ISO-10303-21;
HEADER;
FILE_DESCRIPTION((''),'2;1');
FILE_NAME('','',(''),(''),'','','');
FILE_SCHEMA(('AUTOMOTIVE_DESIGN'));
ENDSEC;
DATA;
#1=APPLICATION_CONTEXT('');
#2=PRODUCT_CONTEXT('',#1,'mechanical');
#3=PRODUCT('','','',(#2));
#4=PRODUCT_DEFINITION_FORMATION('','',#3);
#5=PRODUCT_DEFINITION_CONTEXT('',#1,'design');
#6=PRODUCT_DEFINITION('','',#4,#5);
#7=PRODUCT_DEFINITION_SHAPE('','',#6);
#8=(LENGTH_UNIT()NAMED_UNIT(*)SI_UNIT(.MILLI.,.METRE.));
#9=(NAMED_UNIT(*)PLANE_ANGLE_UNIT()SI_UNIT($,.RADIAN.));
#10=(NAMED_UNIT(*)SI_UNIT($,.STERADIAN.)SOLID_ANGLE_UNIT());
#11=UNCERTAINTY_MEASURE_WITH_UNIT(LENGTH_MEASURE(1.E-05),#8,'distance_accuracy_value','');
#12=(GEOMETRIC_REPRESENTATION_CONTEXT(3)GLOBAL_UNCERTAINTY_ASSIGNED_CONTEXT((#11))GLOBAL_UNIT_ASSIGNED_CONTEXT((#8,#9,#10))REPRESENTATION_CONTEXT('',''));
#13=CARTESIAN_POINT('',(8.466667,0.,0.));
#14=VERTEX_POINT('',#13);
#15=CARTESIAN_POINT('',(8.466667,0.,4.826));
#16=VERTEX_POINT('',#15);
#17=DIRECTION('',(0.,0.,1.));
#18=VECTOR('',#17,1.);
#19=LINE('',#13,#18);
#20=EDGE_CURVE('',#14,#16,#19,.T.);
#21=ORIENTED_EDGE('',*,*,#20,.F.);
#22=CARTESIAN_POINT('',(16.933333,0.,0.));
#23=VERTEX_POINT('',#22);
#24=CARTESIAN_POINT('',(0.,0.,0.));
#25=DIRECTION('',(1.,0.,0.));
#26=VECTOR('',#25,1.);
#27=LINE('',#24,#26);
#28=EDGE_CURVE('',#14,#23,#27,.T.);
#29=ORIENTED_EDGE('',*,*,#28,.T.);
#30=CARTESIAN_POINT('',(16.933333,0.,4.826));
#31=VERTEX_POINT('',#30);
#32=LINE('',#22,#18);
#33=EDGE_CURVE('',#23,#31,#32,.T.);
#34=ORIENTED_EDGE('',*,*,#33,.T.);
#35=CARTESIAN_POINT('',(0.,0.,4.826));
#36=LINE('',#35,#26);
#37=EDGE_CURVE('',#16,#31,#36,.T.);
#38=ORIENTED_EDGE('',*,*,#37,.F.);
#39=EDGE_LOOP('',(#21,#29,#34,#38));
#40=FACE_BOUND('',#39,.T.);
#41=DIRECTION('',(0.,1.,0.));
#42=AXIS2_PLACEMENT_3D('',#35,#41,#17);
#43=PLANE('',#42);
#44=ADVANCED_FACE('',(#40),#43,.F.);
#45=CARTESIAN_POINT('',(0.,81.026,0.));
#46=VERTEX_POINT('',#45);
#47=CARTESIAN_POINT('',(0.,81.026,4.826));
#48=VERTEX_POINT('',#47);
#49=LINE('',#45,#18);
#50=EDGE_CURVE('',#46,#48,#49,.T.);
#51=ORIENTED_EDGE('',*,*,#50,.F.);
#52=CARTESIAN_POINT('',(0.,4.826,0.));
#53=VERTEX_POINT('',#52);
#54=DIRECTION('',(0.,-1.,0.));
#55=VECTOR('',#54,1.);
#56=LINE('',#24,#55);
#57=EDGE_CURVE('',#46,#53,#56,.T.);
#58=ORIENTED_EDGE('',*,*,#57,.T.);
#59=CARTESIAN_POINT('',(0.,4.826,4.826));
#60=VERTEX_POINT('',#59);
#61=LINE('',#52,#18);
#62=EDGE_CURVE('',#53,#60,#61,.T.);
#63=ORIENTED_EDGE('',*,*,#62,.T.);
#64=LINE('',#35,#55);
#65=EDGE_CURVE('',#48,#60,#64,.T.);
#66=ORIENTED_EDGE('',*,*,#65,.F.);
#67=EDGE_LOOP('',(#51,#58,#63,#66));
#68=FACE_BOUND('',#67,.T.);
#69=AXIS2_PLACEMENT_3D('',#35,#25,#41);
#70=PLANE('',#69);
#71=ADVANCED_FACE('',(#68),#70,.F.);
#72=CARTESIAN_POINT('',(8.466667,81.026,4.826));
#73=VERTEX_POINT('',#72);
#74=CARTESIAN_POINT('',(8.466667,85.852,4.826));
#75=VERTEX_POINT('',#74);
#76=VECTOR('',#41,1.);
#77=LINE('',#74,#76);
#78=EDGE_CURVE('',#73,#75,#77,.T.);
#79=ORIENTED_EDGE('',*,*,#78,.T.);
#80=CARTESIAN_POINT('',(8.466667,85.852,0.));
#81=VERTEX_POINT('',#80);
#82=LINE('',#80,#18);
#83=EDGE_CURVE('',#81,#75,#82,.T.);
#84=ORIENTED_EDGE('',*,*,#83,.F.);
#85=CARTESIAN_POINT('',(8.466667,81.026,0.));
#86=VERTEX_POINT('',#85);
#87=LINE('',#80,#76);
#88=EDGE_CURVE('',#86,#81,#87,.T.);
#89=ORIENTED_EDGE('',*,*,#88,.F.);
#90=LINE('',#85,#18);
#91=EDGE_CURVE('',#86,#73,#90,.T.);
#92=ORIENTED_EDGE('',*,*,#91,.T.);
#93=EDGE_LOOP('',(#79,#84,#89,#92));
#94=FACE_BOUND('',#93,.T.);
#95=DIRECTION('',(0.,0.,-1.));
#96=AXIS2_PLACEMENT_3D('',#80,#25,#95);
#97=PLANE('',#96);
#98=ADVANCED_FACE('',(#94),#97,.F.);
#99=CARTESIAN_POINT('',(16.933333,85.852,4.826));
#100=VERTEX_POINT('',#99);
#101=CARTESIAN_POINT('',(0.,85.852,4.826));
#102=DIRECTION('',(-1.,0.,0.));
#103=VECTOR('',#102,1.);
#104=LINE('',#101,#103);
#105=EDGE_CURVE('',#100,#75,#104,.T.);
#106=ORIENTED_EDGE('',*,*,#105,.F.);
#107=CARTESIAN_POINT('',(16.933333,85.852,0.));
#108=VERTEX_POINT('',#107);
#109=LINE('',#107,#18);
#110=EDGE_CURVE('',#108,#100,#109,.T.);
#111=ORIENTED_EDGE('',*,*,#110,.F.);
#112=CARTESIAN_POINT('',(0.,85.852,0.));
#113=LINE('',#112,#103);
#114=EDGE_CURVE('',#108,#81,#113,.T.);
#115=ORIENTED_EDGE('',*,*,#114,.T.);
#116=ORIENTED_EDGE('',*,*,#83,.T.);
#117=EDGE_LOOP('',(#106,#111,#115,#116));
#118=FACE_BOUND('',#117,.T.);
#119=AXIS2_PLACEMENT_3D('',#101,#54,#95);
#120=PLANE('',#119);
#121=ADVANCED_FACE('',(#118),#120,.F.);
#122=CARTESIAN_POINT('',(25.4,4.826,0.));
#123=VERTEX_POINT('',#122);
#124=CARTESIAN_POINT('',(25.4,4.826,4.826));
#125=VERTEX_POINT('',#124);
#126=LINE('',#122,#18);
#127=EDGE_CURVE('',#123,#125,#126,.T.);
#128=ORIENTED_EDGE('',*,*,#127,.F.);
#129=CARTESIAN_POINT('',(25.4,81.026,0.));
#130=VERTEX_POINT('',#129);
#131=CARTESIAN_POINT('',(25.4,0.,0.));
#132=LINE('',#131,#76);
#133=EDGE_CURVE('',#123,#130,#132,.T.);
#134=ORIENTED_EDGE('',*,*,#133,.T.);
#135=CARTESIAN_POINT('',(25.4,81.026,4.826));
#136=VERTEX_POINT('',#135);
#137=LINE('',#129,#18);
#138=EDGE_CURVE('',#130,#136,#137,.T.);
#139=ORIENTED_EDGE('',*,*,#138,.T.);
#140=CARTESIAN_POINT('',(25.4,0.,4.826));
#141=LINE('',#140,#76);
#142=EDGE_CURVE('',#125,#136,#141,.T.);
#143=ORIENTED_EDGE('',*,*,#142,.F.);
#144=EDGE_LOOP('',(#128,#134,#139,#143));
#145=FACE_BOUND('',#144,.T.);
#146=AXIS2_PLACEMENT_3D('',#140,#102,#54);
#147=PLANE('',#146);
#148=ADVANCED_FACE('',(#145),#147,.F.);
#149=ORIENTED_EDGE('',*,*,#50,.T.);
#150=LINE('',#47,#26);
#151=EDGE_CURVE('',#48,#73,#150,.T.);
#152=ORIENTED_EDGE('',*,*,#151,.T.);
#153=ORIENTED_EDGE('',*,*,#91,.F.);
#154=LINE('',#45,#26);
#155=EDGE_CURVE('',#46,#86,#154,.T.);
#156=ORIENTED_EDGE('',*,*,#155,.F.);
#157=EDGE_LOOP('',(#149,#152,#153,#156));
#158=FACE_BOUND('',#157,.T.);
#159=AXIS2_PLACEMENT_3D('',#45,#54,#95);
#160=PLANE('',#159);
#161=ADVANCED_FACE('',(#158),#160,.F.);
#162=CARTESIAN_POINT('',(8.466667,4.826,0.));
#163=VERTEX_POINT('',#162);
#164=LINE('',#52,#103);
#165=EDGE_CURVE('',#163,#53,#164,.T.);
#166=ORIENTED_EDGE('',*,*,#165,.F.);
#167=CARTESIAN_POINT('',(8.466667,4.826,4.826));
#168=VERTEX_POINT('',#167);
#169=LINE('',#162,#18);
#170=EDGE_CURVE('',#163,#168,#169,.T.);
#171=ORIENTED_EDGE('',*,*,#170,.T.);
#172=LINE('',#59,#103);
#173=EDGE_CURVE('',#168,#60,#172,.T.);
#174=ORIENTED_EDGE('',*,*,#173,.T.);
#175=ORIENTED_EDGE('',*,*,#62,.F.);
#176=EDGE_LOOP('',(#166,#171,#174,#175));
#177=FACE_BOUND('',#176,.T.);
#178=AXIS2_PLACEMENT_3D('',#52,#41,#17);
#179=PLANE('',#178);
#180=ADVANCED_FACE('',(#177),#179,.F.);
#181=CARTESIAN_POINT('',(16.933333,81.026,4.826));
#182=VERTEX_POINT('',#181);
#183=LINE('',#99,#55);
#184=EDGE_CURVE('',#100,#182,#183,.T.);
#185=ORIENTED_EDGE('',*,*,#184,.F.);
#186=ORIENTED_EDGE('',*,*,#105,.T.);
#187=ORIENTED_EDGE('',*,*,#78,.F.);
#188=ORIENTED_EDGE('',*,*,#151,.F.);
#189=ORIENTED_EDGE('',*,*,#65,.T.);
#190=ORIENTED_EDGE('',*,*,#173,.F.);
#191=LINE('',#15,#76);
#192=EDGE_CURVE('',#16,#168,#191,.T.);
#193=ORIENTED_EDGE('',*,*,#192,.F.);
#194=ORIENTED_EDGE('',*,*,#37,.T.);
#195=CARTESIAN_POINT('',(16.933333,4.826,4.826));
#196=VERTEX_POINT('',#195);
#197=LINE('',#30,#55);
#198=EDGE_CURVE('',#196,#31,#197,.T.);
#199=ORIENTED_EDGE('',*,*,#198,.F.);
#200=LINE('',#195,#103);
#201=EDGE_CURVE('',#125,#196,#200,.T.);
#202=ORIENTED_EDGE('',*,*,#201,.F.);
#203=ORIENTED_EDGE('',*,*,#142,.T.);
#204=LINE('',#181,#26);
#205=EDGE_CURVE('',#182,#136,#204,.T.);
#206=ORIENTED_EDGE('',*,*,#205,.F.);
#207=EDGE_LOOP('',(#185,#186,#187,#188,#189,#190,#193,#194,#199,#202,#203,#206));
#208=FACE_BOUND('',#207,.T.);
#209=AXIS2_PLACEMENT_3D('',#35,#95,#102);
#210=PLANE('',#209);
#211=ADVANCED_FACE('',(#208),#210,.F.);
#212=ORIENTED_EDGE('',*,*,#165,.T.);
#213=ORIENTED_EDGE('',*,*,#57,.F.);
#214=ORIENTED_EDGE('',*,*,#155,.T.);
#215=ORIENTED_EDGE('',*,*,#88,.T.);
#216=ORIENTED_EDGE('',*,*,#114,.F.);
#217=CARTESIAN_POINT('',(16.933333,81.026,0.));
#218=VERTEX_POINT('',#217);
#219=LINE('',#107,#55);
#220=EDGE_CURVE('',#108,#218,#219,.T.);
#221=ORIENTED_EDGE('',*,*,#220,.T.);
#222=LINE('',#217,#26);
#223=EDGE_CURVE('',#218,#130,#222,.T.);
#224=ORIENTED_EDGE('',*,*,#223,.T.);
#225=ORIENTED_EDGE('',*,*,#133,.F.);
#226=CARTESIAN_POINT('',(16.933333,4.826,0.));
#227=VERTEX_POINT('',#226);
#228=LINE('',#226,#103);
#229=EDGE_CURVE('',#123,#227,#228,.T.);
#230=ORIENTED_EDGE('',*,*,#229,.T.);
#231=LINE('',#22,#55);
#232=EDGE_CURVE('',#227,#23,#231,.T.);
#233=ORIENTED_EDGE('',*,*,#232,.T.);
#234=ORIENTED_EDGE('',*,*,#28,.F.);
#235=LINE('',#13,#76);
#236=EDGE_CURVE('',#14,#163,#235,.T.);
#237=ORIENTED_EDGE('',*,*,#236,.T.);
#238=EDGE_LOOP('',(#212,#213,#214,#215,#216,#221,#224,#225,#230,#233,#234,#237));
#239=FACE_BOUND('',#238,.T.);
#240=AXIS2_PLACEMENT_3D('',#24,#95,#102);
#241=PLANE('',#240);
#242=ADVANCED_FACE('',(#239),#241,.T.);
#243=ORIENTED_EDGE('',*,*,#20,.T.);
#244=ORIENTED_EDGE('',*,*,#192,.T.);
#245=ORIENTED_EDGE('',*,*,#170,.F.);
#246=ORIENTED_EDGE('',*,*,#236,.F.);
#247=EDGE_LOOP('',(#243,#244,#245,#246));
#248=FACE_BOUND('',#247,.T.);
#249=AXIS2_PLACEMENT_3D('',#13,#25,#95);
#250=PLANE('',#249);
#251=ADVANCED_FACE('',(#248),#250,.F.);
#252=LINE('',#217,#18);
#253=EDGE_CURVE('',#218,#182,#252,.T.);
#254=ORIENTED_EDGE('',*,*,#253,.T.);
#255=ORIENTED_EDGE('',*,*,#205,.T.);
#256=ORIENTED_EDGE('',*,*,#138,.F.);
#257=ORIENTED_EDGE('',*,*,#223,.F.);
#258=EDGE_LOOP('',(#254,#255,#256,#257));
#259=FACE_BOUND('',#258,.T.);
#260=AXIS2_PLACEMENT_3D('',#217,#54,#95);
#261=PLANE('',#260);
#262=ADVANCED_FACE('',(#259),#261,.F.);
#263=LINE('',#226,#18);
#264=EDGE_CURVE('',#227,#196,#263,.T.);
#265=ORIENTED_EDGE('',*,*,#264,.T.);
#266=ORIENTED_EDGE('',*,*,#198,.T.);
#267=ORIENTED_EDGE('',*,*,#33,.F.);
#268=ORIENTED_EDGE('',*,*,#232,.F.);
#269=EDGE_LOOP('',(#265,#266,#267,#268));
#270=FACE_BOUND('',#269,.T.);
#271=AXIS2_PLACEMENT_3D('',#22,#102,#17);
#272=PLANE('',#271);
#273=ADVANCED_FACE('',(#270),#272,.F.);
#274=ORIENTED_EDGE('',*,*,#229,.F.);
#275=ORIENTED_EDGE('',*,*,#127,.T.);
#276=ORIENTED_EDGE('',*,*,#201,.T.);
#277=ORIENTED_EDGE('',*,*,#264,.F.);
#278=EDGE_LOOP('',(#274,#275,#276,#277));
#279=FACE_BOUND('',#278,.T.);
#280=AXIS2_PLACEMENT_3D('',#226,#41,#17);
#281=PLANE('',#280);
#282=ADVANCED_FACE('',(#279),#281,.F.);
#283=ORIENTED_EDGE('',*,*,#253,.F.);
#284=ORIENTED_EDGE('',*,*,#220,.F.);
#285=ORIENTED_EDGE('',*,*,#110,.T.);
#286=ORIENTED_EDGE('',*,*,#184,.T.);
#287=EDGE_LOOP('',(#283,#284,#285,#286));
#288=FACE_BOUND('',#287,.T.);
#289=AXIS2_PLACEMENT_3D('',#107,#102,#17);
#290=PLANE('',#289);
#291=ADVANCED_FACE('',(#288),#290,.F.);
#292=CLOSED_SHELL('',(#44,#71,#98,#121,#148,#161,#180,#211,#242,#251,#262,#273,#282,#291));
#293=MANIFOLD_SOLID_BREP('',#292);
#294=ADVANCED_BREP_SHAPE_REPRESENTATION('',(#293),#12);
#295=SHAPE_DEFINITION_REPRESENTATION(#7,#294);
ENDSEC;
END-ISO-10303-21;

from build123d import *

# Parameters (mm, degrees)
SKETCH1_W           = 25.4
SKETCH1_H           = 85.852
BOSS_EXTRUDE1_DEPTH = 4.826
SKETCH2_W           = 8.466666667
SKETCH2_H           = 4.826
CUT_EXTRUDE1_DEPTH  = 90.660560895


with BuildPart() as part:
    # Sketch1 → Boss-Extrude1 (new body)
    with BuildSketch(Plane.XY):
        with Locations((12.7, 42.926)):
            Rectangle(SKETCH1_W, SKETCH1_H)
    extrude(amount=BOSS_EXTRUDE1_DEPTH)

    # Sketch2 → Cut-Extrude1 (cut, through all)
    with BuildSketch(Plane.XY.offset(4.826)):
        with Locations((4.233333334, 2.413)):
            Rectangle(SKETCH2_W, SKETCH2_H)
        with Locations((21.166666666, 2.413)):
            Rectangle(SKETCH2_W, SKETCH2_H)
        with Locations((21.166666666, 83.439)):
            Rectangle(SKETCH2_W, SKETCH2_H)
        with Locations((4.233333334, 83.439)):
            Rectangle(SKETCH2_W, SKETCH2_H)
    extrude(amount=-CUT_EXTRUDE1_DEPTH, mode=Mode.SUBTRACT)


solid = part.part
